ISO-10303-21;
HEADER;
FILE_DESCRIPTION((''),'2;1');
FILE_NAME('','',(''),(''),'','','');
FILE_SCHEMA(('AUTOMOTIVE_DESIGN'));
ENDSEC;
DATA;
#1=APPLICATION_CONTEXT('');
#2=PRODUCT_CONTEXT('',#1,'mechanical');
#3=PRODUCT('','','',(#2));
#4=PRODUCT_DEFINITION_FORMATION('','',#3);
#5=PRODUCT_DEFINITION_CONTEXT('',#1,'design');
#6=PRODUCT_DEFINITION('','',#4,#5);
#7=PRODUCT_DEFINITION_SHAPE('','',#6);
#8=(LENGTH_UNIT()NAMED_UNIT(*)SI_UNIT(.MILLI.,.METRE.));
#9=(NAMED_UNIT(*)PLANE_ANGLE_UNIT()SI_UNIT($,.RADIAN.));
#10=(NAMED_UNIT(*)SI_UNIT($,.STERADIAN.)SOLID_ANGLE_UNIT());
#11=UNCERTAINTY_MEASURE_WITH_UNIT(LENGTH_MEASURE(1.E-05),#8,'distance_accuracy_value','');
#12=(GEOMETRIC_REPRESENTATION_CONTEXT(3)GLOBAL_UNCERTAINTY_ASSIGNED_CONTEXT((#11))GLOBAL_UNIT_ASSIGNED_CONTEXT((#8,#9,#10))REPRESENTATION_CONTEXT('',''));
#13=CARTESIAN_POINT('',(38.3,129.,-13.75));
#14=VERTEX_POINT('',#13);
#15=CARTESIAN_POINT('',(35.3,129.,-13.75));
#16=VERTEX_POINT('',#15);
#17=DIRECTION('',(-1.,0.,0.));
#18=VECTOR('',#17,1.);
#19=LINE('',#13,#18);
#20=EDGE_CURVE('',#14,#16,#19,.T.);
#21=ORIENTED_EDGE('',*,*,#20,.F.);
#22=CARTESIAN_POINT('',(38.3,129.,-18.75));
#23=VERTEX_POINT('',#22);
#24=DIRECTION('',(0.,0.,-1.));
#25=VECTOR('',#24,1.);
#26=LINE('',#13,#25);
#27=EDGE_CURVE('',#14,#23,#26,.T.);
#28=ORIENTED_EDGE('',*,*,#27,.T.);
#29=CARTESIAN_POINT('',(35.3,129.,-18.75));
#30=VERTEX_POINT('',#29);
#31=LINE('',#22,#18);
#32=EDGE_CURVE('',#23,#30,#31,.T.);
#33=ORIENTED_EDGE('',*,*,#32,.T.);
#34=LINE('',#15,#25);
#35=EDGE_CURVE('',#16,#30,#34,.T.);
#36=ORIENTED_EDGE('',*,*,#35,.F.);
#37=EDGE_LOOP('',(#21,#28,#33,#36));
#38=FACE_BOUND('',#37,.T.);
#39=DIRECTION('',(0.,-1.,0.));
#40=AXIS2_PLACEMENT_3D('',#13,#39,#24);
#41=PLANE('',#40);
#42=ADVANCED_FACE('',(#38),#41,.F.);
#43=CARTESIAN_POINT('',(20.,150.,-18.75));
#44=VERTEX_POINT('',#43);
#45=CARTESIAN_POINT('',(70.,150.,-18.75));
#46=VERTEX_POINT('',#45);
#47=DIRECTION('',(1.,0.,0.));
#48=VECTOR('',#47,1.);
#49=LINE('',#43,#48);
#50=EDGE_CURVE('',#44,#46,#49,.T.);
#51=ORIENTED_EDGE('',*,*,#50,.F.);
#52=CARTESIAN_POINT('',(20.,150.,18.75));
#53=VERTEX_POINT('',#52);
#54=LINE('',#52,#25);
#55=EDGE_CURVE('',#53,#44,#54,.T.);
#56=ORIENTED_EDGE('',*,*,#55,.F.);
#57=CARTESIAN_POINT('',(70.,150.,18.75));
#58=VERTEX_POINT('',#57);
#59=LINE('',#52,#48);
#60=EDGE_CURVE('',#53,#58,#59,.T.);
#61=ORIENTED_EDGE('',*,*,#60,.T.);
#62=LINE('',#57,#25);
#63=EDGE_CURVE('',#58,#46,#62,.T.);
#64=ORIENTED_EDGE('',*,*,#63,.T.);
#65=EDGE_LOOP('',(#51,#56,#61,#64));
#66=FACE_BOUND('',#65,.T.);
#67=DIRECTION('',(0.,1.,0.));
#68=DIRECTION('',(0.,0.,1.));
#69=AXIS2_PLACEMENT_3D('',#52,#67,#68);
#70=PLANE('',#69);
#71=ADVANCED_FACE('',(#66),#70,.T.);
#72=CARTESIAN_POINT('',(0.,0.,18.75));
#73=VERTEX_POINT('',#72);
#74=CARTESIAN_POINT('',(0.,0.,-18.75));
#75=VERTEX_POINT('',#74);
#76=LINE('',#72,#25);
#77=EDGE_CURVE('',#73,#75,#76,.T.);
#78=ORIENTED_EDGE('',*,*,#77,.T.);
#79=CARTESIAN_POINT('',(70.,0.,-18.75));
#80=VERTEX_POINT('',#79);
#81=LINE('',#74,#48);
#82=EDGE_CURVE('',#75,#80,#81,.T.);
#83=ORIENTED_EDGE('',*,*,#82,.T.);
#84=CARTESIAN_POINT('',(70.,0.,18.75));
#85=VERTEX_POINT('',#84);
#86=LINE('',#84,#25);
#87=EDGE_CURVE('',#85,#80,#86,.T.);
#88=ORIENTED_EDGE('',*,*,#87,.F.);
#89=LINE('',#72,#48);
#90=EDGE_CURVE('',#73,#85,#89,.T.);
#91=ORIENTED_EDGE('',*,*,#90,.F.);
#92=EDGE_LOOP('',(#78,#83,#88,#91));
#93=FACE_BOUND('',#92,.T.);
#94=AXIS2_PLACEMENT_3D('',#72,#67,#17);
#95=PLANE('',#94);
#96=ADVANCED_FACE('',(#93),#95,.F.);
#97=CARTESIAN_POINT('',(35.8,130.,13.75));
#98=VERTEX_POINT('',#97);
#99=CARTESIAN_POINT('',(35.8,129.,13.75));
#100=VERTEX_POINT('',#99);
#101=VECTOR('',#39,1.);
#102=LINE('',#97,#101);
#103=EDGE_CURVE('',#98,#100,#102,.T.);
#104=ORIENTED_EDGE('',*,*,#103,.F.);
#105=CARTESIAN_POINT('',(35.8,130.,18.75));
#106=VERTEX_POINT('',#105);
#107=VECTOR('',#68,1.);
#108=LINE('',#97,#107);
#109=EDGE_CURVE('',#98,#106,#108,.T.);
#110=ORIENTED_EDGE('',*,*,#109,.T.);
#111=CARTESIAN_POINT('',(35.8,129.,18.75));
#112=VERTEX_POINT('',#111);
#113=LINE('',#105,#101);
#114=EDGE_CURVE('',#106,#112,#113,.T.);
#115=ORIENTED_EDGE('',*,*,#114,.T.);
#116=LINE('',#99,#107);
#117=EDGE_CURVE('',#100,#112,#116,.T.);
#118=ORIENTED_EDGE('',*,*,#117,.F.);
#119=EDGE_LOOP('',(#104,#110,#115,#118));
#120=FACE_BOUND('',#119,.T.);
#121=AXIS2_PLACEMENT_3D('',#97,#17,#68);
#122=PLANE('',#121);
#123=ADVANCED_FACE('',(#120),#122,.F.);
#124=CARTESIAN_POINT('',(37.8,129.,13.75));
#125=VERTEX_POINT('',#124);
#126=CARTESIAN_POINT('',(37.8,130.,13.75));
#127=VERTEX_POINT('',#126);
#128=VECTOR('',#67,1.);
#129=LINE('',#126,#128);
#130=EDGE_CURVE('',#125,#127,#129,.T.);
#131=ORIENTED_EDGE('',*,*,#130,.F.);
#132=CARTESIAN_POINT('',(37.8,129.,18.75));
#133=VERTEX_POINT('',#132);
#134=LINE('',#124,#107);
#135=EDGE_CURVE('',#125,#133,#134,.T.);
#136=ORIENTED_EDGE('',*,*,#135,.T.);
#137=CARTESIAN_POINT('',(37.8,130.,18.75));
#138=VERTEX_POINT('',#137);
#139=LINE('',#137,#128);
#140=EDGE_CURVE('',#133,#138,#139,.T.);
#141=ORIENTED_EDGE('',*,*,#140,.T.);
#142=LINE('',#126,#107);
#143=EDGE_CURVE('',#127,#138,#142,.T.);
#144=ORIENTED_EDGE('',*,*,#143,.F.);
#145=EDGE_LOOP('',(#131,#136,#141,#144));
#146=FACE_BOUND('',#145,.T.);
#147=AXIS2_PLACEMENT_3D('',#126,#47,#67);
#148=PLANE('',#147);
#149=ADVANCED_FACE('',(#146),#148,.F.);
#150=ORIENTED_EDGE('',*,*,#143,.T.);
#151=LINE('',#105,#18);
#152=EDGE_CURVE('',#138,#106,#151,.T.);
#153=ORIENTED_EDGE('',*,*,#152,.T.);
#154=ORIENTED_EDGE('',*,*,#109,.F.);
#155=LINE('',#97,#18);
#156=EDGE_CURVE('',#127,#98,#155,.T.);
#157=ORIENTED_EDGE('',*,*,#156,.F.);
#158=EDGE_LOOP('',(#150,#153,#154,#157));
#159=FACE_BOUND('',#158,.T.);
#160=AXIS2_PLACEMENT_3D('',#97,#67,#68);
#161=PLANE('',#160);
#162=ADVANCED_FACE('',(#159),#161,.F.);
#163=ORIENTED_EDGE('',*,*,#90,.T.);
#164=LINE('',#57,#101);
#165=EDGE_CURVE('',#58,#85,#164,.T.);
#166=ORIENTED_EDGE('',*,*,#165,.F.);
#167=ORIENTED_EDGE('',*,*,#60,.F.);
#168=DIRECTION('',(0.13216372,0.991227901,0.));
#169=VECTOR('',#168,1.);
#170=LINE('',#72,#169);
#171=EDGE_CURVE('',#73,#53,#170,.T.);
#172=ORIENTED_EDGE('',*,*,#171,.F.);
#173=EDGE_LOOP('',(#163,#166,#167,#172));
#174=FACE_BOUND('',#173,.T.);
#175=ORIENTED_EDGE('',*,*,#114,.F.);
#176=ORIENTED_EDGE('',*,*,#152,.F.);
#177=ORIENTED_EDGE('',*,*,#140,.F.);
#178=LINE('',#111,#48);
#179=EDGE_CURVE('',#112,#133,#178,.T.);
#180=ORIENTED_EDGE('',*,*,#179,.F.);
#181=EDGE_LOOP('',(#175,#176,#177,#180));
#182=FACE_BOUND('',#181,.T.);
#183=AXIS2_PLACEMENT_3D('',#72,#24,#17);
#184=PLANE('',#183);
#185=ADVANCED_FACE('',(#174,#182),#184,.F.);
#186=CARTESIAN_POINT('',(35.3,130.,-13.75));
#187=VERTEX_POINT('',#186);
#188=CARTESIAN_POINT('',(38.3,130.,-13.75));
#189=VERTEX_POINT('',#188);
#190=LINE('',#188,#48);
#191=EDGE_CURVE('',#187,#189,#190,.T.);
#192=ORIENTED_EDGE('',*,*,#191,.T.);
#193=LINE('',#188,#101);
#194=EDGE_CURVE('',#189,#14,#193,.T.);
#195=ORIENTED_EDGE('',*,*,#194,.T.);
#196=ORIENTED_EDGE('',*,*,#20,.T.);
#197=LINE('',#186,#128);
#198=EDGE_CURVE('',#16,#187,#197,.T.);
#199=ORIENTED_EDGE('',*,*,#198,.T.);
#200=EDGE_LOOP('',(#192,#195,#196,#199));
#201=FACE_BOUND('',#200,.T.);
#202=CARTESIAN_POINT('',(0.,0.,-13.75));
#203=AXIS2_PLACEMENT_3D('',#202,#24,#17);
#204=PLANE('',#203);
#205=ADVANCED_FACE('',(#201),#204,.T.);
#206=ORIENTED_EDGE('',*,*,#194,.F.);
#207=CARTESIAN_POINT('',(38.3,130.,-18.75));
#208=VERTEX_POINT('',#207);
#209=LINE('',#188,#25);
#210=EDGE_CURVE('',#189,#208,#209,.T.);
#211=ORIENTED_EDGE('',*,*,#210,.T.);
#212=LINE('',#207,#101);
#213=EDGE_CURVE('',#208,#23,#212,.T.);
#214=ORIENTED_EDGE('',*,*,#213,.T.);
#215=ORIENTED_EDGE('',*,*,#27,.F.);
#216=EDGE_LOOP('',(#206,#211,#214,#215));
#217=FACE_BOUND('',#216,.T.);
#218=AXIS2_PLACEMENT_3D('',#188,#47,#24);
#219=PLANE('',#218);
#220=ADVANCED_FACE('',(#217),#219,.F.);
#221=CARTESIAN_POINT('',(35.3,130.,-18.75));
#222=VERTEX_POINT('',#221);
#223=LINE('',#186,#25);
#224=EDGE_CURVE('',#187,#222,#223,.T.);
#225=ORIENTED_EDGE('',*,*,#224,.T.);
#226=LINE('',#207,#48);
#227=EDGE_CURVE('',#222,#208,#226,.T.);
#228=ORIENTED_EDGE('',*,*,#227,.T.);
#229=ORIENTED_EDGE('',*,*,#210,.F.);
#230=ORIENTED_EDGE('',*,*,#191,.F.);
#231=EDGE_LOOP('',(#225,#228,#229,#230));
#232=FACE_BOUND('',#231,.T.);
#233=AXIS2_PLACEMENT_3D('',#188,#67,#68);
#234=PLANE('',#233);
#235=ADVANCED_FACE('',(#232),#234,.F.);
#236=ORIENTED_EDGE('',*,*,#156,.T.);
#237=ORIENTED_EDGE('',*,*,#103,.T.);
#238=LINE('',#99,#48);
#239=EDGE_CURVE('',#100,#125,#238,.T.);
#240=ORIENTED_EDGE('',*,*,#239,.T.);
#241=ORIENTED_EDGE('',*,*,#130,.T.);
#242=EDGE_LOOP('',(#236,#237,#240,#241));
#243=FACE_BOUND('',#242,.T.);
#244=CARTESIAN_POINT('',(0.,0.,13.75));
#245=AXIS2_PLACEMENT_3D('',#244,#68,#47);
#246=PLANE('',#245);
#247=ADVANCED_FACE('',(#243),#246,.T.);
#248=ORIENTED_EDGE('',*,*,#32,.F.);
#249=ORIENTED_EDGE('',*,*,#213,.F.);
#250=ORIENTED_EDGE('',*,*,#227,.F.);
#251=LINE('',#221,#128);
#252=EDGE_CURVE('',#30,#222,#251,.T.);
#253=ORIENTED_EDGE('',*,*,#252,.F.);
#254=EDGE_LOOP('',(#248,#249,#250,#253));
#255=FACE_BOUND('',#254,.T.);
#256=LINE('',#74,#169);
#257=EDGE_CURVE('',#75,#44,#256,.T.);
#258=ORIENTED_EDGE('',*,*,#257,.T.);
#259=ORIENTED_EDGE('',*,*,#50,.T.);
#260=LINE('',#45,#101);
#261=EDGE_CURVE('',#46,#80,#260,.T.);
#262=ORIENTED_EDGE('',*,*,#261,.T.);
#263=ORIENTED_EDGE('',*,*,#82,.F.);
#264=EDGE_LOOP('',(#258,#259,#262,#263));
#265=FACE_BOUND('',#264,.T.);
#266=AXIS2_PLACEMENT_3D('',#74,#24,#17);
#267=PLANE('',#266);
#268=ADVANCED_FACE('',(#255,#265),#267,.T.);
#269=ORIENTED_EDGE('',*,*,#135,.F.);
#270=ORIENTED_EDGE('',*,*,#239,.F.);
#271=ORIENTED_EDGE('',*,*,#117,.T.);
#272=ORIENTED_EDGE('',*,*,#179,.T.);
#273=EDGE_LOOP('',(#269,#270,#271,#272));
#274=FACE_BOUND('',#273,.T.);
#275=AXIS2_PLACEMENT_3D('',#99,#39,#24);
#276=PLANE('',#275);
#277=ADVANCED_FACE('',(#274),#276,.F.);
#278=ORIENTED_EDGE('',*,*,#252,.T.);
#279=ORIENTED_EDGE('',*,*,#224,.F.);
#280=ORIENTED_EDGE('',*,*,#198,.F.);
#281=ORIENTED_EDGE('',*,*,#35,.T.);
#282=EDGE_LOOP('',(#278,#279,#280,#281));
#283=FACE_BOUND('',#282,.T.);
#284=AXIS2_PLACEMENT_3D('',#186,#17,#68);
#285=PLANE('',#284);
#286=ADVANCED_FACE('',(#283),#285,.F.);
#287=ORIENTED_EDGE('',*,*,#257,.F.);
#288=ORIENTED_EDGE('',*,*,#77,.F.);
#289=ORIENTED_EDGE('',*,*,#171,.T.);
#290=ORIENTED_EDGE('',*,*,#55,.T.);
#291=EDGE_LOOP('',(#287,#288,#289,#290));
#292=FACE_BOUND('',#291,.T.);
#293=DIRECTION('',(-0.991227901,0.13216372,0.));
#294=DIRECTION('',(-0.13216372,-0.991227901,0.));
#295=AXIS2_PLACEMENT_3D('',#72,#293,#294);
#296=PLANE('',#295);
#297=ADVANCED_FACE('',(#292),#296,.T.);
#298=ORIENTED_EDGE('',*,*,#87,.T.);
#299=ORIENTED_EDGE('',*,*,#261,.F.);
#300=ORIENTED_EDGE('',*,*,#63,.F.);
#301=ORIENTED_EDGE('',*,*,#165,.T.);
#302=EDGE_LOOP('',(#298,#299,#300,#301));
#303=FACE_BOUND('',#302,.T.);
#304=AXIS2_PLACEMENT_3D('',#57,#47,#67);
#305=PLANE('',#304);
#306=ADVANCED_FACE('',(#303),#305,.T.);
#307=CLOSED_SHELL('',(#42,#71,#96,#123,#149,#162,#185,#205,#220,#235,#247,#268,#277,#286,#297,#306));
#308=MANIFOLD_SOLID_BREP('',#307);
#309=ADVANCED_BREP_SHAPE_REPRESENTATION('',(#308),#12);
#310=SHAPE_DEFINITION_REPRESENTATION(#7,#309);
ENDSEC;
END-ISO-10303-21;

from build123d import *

# Parameters (mm, degrees)
BOSS_EXTRUDE2_DEPTH = 18.75
SKETCH2_W           = 3
SKETCH2_H           = 1
CUT_EXTRUDE1_DEPTH  = 5
SKETCH3_W           = 2
SKETCH3_H           = 1
CUT_EXTRUDE2_DEPTH  = 5


with BuildPart() as part:
    # Sketch1 → Boss-Extrude2 (new, symmetric)
    with BuildSketch(Plane.XY):
        Polygon((0, 0), (70, 0), (70, 150), (20, 150), align=None)
    extrude(amount=BOSS_EXTRUDE2_DEPTH, both=True)

    # Sketch2 → Cut-Extrude1 (cut)
    with BuildSketch(Plane(origin=(0, 0, -18.75), x_dir=(-1, 0, 0), z_dir=(0, 0, -1))):
        with Locations((-36.8, 129.5)):
            Rectangle(SKETCH2_W, SKETCH2_H)
    extrude(amount=-CUT_EXTRUDE1_DEPTH, mode=Mode.SUBTRACT)

    # Sketch3 → Cut-Extrude2 (cut)
    with BuildSketch(Plane.XY.offset(18.75)):
        with Locations((36.8, 129.5)):
            Rectangle(SKETCH3_W, SKETCH3_H)
    extrude(amount=-CUT_EXTRUDE2_DEPTH, mode=Mode.SUBTRACT)


solid = part.part
